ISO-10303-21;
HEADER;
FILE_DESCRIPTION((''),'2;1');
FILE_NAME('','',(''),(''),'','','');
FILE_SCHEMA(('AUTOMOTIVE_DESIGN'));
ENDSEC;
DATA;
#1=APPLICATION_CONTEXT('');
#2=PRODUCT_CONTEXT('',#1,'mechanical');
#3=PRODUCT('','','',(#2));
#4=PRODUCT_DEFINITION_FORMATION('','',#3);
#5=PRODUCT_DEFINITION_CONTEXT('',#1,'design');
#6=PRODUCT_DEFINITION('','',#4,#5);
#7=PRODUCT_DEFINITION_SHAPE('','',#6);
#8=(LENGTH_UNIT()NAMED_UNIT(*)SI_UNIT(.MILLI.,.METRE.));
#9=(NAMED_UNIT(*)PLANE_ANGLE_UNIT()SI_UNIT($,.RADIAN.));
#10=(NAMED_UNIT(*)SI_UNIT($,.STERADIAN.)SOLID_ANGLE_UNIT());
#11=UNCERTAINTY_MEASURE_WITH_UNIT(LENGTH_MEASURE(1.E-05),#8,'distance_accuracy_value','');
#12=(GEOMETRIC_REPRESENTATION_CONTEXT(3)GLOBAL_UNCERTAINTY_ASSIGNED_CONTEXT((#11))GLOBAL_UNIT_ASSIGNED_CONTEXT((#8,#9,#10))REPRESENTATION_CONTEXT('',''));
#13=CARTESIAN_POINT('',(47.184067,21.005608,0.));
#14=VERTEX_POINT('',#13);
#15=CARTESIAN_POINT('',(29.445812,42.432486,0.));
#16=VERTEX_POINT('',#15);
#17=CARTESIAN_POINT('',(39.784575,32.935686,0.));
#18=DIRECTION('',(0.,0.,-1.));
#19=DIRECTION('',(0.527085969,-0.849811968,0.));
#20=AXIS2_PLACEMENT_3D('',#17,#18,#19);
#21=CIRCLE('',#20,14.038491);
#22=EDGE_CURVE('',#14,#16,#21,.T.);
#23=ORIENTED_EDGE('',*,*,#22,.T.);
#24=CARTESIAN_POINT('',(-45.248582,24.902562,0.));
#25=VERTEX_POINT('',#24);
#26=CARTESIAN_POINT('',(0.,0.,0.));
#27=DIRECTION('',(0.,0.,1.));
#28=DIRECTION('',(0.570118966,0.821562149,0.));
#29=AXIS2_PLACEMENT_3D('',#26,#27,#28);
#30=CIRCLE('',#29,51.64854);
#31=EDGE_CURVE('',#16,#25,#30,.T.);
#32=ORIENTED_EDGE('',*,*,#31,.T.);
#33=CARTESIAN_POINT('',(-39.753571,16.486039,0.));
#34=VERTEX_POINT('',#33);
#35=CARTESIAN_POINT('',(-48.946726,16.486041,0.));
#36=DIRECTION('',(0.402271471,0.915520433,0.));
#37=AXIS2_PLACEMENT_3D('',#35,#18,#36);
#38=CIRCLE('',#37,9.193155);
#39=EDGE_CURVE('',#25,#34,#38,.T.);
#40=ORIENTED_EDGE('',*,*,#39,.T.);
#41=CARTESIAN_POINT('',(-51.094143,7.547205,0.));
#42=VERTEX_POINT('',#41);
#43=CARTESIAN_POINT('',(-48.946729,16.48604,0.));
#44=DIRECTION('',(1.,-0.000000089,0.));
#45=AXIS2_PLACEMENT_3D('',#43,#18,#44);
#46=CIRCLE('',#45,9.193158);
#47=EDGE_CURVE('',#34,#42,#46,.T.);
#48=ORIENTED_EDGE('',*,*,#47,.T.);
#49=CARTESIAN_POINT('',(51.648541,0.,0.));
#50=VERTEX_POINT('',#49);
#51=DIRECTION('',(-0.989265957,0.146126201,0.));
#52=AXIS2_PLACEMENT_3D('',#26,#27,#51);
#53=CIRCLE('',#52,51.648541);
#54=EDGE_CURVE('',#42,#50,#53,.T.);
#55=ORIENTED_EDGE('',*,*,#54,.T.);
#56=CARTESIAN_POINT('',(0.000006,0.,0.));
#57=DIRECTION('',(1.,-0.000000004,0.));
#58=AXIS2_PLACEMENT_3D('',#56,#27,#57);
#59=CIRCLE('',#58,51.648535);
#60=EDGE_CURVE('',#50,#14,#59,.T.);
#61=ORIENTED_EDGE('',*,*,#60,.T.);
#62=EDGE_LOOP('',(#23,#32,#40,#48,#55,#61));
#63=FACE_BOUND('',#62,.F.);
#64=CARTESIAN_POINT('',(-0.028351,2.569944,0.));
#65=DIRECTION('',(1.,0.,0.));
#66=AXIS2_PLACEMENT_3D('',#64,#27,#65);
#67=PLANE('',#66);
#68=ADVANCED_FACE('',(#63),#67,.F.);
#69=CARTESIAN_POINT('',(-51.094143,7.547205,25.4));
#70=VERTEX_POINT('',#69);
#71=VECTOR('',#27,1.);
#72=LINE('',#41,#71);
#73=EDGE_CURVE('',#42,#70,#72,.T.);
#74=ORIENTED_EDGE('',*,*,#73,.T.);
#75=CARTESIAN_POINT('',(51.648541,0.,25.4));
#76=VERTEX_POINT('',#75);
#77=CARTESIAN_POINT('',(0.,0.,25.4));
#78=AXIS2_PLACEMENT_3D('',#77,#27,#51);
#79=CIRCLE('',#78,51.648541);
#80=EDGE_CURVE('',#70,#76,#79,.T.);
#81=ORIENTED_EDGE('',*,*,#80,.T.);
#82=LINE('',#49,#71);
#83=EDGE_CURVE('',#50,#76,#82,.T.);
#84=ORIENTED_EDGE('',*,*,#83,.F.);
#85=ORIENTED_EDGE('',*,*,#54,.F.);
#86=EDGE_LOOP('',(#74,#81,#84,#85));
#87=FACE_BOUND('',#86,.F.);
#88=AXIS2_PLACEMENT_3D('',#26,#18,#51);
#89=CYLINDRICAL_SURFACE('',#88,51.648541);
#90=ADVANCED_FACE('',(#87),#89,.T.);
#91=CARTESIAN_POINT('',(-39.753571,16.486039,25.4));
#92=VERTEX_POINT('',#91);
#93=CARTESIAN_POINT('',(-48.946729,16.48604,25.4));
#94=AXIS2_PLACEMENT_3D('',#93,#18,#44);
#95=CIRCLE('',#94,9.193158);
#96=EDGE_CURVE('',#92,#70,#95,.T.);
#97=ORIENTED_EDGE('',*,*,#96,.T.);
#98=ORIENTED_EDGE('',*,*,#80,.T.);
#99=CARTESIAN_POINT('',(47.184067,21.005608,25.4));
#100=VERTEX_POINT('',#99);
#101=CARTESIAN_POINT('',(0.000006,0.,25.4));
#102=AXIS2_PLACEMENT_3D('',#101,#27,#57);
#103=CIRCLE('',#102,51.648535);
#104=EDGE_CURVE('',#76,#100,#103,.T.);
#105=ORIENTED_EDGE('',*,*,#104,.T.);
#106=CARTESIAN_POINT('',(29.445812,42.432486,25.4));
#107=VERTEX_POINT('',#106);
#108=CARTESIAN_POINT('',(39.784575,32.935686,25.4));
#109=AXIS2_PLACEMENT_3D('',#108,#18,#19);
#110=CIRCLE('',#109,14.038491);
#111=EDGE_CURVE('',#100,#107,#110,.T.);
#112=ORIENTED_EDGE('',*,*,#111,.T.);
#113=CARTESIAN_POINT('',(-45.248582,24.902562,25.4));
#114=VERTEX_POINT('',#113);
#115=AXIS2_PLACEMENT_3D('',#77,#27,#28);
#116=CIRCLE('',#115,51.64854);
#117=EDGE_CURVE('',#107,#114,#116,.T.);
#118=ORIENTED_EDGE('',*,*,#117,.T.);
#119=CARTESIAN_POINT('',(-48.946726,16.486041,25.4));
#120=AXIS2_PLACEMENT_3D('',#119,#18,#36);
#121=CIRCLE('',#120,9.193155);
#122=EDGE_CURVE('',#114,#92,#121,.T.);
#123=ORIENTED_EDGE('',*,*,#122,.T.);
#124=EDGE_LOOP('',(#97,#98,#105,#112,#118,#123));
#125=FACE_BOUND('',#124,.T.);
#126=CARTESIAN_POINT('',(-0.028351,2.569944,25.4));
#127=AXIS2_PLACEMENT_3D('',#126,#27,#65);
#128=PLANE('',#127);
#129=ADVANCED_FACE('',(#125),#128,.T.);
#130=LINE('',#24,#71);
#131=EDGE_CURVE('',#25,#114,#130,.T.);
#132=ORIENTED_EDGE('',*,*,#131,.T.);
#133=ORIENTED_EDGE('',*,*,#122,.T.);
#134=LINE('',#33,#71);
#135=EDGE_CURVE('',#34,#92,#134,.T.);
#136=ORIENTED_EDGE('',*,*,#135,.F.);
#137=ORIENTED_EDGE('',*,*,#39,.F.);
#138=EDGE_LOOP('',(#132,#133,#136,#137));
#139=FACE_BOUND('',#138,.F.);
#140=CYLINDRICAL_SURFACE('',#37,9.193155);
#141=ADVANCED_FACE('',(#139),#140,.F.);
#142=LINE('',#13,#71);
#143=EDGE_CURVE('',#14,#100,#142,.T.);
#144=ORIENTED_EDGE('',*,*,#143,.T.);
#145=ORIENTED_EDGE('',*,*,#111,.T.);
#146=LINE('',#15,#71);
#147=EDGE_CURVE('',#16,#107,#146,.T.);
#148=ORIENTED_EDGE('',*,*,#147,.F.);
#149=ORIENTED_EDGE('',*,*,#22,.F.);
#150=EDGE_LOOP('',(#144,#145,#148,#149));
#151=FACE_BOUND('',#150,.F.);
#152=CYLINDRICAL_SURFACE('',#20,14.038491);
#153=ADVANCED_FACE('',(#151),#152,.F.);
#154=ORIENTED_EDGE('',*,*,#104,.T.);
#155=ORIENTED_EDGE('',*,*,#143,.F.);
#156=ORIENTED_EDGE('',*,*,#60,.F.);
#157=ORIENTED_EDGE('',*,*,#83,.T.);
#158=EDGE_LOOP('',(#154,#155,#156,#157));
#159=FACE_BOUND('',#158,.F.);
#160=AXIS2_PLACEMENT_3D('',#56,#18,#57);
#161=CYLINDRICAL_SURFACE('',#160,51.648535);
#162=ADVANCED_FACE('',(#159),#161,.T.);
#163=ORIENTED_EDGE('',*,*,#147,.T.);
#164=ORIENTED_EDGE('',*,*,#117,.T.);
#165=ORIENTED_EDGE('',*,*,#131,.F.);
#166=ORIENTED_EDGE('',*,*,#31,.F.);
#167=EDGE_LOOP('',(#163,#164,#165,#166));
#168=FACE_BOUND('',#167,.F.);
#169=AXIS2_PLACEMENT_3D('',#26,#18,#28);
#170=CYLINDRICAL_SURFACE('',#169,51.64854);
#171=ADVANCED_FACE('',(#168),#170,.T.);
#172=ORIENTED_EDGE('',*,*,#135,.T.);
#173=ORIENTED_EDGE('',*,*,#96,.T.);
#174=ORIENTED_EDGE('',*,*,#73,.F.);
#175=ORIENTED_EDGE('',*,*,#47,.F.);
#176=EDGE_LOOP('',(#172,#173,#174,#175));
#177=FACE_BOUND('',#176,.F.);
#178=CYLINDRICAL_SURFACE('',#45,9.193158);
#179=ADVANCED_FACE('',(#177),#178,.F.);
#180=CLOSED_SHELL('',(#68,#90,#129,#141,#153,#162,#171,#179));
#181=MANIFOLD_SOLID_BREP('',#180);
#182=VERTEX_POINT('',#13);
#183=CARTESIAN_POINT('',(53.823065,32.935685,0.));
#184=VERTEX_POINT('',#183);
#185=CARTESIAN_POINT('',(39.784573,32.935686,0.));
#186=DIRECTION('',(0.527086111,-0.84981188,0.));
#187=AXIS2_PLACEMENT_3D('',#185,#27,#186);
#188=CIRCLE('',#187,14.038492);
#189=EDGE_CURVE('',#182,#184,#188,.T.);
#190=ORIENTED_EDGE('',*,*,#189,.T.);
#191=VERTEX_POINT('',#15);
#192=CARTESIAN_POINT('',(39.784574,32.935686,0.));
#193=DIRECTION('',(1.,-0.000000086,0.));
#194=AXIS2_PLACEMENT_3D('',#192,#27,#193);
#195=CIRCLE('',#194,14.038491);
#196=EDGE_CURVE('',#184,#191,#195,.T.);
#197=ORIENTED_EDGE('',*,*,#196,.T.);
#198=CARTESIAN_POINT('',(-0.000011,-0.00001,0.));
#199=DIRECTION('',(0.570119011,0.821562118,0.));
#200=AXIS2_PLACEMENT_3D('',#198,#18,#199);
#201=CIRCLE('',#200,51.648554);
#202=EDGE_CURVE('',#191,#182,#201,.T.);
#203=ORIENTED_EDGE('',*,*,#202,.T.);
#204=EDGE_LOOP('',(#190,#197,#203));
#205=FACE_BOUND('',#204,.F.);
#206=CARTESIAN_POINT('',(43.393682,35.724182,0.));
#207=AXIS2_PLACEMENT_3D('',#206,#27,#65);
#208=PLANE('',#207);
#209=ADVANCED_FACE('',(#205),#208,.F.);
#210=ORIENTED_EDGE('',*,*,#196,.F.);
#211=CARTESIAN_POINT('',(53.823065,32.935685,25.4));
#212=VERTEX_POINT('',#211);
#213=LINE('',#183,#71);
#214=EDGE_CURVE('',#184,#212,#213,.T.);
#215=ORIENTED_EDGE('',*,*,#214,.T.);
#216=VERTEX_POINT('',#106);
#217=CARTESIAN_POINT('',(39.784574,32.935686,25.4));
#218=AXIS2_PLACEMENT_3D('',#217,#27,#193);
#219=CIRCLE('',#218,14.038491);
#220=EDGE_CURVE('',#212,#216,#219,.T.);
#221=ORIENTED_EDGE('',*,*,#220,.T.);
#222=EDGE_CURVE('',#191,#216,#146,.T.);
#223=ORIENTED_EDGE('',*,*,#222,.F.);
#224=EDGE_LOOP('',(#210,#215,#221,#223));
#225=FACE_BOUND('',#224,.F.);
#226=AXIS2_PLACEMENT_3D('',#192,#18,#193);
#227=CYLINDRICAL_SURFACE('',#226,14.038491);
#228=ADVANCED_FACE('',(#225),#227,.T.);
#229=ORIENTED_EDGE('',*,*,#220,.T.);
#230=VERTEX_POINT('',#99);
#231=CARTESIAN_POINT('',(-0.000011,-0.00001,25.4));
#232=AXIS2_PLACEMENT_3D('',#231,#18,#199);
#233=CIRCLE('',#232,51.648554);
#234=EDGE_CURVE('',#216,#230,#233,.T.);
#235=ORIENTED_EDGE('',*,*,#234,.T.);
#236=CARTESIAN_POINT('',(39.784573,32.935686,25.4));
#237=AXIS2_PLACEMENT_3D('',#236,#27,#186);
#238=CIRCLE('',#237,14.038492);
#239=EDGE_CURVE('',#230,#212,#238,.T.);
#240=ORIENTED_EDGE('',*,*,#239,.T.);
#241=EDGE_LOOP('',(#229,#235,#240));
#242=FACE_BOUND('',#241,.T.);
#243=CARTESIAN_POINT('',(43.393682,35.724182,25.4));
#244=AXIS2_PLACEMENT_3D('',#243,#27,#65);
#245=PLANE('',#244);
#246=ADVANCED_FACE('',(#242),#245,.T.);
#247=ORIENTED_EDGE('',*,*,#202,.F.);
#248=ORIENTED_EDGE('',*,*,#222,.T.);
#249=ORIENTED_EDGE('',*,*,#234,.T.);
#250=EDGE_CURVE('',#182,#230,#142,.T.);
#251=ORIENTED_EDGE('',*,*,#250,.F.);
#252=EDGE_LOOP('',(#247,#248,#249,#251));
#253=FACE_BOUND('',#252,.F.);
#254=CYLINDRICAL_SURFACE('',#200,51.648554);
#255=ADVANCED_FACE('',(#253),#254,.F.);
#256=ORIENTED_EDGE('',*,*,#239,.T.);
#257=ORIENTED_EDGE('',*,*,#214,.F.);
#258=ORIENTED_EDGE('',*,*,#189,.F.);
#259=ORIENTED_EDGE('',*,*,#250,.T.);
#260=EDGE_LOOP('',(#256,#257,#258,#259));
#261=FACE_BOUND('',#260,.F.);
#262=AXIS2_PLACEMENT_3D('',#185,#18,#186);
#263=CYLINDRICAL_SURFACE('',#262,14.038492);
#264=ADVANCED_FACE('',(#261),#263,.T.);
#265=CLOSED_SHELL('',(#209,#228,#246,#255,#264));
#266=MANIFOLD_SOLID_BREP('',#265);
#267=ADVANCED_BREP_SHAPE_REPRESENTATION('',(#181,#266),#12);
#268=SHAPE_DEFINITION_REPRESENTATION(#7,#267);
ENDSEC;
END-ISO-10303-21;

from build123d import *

# Parameters (mm, degrees)
F1_DEPTH = 25.4


with BuildPart() as f1:
    # F0 (on Top) → F1 (new body)
    with BuildSketch(Plane.XY):
        with BuildLine():
            ThreePointArc((-51.094143, 7.547205), (-3.78377, -51.509755), (51.648541, 0))
            ThreePointArc((51.648541, 0), (50.520095, 10.737401), (47.184067, 21.005608))
            ThreePointArc((47.184067, 21.005608), (28.970806, 23.9835), (29.445812, 42.432486))
            ThreePointArc((29.445812, 42.432486), (-11.800696, 50.282356), (-45.248582, 24.902562))
            ThreePointArc((-45.248582, 24.902562), (-41.248943, 21.511798), (-39.753571, 16.486039))
            ThreePointArc((-39.753571, 16.486039), (-43.255831, 9.266079), (-51.094143, 7.547205))
        make_face()
        with BuildLine():
            ThreePointArc((29.445812, 42.432486), (39.784574, 32.935685), (47.184067, 21.005608))
            ThreePointArc((47.184067, 21.005608), (52.051541, 26.109211), (53.823065, 32.935685))
            ThreePointArc((53.823065, 32.935685), (44.880583, 46.016585), (29.445812, 42.432486))
        make_face()
    extrude(amount=F1_DEPTH)


solid = f1.part
